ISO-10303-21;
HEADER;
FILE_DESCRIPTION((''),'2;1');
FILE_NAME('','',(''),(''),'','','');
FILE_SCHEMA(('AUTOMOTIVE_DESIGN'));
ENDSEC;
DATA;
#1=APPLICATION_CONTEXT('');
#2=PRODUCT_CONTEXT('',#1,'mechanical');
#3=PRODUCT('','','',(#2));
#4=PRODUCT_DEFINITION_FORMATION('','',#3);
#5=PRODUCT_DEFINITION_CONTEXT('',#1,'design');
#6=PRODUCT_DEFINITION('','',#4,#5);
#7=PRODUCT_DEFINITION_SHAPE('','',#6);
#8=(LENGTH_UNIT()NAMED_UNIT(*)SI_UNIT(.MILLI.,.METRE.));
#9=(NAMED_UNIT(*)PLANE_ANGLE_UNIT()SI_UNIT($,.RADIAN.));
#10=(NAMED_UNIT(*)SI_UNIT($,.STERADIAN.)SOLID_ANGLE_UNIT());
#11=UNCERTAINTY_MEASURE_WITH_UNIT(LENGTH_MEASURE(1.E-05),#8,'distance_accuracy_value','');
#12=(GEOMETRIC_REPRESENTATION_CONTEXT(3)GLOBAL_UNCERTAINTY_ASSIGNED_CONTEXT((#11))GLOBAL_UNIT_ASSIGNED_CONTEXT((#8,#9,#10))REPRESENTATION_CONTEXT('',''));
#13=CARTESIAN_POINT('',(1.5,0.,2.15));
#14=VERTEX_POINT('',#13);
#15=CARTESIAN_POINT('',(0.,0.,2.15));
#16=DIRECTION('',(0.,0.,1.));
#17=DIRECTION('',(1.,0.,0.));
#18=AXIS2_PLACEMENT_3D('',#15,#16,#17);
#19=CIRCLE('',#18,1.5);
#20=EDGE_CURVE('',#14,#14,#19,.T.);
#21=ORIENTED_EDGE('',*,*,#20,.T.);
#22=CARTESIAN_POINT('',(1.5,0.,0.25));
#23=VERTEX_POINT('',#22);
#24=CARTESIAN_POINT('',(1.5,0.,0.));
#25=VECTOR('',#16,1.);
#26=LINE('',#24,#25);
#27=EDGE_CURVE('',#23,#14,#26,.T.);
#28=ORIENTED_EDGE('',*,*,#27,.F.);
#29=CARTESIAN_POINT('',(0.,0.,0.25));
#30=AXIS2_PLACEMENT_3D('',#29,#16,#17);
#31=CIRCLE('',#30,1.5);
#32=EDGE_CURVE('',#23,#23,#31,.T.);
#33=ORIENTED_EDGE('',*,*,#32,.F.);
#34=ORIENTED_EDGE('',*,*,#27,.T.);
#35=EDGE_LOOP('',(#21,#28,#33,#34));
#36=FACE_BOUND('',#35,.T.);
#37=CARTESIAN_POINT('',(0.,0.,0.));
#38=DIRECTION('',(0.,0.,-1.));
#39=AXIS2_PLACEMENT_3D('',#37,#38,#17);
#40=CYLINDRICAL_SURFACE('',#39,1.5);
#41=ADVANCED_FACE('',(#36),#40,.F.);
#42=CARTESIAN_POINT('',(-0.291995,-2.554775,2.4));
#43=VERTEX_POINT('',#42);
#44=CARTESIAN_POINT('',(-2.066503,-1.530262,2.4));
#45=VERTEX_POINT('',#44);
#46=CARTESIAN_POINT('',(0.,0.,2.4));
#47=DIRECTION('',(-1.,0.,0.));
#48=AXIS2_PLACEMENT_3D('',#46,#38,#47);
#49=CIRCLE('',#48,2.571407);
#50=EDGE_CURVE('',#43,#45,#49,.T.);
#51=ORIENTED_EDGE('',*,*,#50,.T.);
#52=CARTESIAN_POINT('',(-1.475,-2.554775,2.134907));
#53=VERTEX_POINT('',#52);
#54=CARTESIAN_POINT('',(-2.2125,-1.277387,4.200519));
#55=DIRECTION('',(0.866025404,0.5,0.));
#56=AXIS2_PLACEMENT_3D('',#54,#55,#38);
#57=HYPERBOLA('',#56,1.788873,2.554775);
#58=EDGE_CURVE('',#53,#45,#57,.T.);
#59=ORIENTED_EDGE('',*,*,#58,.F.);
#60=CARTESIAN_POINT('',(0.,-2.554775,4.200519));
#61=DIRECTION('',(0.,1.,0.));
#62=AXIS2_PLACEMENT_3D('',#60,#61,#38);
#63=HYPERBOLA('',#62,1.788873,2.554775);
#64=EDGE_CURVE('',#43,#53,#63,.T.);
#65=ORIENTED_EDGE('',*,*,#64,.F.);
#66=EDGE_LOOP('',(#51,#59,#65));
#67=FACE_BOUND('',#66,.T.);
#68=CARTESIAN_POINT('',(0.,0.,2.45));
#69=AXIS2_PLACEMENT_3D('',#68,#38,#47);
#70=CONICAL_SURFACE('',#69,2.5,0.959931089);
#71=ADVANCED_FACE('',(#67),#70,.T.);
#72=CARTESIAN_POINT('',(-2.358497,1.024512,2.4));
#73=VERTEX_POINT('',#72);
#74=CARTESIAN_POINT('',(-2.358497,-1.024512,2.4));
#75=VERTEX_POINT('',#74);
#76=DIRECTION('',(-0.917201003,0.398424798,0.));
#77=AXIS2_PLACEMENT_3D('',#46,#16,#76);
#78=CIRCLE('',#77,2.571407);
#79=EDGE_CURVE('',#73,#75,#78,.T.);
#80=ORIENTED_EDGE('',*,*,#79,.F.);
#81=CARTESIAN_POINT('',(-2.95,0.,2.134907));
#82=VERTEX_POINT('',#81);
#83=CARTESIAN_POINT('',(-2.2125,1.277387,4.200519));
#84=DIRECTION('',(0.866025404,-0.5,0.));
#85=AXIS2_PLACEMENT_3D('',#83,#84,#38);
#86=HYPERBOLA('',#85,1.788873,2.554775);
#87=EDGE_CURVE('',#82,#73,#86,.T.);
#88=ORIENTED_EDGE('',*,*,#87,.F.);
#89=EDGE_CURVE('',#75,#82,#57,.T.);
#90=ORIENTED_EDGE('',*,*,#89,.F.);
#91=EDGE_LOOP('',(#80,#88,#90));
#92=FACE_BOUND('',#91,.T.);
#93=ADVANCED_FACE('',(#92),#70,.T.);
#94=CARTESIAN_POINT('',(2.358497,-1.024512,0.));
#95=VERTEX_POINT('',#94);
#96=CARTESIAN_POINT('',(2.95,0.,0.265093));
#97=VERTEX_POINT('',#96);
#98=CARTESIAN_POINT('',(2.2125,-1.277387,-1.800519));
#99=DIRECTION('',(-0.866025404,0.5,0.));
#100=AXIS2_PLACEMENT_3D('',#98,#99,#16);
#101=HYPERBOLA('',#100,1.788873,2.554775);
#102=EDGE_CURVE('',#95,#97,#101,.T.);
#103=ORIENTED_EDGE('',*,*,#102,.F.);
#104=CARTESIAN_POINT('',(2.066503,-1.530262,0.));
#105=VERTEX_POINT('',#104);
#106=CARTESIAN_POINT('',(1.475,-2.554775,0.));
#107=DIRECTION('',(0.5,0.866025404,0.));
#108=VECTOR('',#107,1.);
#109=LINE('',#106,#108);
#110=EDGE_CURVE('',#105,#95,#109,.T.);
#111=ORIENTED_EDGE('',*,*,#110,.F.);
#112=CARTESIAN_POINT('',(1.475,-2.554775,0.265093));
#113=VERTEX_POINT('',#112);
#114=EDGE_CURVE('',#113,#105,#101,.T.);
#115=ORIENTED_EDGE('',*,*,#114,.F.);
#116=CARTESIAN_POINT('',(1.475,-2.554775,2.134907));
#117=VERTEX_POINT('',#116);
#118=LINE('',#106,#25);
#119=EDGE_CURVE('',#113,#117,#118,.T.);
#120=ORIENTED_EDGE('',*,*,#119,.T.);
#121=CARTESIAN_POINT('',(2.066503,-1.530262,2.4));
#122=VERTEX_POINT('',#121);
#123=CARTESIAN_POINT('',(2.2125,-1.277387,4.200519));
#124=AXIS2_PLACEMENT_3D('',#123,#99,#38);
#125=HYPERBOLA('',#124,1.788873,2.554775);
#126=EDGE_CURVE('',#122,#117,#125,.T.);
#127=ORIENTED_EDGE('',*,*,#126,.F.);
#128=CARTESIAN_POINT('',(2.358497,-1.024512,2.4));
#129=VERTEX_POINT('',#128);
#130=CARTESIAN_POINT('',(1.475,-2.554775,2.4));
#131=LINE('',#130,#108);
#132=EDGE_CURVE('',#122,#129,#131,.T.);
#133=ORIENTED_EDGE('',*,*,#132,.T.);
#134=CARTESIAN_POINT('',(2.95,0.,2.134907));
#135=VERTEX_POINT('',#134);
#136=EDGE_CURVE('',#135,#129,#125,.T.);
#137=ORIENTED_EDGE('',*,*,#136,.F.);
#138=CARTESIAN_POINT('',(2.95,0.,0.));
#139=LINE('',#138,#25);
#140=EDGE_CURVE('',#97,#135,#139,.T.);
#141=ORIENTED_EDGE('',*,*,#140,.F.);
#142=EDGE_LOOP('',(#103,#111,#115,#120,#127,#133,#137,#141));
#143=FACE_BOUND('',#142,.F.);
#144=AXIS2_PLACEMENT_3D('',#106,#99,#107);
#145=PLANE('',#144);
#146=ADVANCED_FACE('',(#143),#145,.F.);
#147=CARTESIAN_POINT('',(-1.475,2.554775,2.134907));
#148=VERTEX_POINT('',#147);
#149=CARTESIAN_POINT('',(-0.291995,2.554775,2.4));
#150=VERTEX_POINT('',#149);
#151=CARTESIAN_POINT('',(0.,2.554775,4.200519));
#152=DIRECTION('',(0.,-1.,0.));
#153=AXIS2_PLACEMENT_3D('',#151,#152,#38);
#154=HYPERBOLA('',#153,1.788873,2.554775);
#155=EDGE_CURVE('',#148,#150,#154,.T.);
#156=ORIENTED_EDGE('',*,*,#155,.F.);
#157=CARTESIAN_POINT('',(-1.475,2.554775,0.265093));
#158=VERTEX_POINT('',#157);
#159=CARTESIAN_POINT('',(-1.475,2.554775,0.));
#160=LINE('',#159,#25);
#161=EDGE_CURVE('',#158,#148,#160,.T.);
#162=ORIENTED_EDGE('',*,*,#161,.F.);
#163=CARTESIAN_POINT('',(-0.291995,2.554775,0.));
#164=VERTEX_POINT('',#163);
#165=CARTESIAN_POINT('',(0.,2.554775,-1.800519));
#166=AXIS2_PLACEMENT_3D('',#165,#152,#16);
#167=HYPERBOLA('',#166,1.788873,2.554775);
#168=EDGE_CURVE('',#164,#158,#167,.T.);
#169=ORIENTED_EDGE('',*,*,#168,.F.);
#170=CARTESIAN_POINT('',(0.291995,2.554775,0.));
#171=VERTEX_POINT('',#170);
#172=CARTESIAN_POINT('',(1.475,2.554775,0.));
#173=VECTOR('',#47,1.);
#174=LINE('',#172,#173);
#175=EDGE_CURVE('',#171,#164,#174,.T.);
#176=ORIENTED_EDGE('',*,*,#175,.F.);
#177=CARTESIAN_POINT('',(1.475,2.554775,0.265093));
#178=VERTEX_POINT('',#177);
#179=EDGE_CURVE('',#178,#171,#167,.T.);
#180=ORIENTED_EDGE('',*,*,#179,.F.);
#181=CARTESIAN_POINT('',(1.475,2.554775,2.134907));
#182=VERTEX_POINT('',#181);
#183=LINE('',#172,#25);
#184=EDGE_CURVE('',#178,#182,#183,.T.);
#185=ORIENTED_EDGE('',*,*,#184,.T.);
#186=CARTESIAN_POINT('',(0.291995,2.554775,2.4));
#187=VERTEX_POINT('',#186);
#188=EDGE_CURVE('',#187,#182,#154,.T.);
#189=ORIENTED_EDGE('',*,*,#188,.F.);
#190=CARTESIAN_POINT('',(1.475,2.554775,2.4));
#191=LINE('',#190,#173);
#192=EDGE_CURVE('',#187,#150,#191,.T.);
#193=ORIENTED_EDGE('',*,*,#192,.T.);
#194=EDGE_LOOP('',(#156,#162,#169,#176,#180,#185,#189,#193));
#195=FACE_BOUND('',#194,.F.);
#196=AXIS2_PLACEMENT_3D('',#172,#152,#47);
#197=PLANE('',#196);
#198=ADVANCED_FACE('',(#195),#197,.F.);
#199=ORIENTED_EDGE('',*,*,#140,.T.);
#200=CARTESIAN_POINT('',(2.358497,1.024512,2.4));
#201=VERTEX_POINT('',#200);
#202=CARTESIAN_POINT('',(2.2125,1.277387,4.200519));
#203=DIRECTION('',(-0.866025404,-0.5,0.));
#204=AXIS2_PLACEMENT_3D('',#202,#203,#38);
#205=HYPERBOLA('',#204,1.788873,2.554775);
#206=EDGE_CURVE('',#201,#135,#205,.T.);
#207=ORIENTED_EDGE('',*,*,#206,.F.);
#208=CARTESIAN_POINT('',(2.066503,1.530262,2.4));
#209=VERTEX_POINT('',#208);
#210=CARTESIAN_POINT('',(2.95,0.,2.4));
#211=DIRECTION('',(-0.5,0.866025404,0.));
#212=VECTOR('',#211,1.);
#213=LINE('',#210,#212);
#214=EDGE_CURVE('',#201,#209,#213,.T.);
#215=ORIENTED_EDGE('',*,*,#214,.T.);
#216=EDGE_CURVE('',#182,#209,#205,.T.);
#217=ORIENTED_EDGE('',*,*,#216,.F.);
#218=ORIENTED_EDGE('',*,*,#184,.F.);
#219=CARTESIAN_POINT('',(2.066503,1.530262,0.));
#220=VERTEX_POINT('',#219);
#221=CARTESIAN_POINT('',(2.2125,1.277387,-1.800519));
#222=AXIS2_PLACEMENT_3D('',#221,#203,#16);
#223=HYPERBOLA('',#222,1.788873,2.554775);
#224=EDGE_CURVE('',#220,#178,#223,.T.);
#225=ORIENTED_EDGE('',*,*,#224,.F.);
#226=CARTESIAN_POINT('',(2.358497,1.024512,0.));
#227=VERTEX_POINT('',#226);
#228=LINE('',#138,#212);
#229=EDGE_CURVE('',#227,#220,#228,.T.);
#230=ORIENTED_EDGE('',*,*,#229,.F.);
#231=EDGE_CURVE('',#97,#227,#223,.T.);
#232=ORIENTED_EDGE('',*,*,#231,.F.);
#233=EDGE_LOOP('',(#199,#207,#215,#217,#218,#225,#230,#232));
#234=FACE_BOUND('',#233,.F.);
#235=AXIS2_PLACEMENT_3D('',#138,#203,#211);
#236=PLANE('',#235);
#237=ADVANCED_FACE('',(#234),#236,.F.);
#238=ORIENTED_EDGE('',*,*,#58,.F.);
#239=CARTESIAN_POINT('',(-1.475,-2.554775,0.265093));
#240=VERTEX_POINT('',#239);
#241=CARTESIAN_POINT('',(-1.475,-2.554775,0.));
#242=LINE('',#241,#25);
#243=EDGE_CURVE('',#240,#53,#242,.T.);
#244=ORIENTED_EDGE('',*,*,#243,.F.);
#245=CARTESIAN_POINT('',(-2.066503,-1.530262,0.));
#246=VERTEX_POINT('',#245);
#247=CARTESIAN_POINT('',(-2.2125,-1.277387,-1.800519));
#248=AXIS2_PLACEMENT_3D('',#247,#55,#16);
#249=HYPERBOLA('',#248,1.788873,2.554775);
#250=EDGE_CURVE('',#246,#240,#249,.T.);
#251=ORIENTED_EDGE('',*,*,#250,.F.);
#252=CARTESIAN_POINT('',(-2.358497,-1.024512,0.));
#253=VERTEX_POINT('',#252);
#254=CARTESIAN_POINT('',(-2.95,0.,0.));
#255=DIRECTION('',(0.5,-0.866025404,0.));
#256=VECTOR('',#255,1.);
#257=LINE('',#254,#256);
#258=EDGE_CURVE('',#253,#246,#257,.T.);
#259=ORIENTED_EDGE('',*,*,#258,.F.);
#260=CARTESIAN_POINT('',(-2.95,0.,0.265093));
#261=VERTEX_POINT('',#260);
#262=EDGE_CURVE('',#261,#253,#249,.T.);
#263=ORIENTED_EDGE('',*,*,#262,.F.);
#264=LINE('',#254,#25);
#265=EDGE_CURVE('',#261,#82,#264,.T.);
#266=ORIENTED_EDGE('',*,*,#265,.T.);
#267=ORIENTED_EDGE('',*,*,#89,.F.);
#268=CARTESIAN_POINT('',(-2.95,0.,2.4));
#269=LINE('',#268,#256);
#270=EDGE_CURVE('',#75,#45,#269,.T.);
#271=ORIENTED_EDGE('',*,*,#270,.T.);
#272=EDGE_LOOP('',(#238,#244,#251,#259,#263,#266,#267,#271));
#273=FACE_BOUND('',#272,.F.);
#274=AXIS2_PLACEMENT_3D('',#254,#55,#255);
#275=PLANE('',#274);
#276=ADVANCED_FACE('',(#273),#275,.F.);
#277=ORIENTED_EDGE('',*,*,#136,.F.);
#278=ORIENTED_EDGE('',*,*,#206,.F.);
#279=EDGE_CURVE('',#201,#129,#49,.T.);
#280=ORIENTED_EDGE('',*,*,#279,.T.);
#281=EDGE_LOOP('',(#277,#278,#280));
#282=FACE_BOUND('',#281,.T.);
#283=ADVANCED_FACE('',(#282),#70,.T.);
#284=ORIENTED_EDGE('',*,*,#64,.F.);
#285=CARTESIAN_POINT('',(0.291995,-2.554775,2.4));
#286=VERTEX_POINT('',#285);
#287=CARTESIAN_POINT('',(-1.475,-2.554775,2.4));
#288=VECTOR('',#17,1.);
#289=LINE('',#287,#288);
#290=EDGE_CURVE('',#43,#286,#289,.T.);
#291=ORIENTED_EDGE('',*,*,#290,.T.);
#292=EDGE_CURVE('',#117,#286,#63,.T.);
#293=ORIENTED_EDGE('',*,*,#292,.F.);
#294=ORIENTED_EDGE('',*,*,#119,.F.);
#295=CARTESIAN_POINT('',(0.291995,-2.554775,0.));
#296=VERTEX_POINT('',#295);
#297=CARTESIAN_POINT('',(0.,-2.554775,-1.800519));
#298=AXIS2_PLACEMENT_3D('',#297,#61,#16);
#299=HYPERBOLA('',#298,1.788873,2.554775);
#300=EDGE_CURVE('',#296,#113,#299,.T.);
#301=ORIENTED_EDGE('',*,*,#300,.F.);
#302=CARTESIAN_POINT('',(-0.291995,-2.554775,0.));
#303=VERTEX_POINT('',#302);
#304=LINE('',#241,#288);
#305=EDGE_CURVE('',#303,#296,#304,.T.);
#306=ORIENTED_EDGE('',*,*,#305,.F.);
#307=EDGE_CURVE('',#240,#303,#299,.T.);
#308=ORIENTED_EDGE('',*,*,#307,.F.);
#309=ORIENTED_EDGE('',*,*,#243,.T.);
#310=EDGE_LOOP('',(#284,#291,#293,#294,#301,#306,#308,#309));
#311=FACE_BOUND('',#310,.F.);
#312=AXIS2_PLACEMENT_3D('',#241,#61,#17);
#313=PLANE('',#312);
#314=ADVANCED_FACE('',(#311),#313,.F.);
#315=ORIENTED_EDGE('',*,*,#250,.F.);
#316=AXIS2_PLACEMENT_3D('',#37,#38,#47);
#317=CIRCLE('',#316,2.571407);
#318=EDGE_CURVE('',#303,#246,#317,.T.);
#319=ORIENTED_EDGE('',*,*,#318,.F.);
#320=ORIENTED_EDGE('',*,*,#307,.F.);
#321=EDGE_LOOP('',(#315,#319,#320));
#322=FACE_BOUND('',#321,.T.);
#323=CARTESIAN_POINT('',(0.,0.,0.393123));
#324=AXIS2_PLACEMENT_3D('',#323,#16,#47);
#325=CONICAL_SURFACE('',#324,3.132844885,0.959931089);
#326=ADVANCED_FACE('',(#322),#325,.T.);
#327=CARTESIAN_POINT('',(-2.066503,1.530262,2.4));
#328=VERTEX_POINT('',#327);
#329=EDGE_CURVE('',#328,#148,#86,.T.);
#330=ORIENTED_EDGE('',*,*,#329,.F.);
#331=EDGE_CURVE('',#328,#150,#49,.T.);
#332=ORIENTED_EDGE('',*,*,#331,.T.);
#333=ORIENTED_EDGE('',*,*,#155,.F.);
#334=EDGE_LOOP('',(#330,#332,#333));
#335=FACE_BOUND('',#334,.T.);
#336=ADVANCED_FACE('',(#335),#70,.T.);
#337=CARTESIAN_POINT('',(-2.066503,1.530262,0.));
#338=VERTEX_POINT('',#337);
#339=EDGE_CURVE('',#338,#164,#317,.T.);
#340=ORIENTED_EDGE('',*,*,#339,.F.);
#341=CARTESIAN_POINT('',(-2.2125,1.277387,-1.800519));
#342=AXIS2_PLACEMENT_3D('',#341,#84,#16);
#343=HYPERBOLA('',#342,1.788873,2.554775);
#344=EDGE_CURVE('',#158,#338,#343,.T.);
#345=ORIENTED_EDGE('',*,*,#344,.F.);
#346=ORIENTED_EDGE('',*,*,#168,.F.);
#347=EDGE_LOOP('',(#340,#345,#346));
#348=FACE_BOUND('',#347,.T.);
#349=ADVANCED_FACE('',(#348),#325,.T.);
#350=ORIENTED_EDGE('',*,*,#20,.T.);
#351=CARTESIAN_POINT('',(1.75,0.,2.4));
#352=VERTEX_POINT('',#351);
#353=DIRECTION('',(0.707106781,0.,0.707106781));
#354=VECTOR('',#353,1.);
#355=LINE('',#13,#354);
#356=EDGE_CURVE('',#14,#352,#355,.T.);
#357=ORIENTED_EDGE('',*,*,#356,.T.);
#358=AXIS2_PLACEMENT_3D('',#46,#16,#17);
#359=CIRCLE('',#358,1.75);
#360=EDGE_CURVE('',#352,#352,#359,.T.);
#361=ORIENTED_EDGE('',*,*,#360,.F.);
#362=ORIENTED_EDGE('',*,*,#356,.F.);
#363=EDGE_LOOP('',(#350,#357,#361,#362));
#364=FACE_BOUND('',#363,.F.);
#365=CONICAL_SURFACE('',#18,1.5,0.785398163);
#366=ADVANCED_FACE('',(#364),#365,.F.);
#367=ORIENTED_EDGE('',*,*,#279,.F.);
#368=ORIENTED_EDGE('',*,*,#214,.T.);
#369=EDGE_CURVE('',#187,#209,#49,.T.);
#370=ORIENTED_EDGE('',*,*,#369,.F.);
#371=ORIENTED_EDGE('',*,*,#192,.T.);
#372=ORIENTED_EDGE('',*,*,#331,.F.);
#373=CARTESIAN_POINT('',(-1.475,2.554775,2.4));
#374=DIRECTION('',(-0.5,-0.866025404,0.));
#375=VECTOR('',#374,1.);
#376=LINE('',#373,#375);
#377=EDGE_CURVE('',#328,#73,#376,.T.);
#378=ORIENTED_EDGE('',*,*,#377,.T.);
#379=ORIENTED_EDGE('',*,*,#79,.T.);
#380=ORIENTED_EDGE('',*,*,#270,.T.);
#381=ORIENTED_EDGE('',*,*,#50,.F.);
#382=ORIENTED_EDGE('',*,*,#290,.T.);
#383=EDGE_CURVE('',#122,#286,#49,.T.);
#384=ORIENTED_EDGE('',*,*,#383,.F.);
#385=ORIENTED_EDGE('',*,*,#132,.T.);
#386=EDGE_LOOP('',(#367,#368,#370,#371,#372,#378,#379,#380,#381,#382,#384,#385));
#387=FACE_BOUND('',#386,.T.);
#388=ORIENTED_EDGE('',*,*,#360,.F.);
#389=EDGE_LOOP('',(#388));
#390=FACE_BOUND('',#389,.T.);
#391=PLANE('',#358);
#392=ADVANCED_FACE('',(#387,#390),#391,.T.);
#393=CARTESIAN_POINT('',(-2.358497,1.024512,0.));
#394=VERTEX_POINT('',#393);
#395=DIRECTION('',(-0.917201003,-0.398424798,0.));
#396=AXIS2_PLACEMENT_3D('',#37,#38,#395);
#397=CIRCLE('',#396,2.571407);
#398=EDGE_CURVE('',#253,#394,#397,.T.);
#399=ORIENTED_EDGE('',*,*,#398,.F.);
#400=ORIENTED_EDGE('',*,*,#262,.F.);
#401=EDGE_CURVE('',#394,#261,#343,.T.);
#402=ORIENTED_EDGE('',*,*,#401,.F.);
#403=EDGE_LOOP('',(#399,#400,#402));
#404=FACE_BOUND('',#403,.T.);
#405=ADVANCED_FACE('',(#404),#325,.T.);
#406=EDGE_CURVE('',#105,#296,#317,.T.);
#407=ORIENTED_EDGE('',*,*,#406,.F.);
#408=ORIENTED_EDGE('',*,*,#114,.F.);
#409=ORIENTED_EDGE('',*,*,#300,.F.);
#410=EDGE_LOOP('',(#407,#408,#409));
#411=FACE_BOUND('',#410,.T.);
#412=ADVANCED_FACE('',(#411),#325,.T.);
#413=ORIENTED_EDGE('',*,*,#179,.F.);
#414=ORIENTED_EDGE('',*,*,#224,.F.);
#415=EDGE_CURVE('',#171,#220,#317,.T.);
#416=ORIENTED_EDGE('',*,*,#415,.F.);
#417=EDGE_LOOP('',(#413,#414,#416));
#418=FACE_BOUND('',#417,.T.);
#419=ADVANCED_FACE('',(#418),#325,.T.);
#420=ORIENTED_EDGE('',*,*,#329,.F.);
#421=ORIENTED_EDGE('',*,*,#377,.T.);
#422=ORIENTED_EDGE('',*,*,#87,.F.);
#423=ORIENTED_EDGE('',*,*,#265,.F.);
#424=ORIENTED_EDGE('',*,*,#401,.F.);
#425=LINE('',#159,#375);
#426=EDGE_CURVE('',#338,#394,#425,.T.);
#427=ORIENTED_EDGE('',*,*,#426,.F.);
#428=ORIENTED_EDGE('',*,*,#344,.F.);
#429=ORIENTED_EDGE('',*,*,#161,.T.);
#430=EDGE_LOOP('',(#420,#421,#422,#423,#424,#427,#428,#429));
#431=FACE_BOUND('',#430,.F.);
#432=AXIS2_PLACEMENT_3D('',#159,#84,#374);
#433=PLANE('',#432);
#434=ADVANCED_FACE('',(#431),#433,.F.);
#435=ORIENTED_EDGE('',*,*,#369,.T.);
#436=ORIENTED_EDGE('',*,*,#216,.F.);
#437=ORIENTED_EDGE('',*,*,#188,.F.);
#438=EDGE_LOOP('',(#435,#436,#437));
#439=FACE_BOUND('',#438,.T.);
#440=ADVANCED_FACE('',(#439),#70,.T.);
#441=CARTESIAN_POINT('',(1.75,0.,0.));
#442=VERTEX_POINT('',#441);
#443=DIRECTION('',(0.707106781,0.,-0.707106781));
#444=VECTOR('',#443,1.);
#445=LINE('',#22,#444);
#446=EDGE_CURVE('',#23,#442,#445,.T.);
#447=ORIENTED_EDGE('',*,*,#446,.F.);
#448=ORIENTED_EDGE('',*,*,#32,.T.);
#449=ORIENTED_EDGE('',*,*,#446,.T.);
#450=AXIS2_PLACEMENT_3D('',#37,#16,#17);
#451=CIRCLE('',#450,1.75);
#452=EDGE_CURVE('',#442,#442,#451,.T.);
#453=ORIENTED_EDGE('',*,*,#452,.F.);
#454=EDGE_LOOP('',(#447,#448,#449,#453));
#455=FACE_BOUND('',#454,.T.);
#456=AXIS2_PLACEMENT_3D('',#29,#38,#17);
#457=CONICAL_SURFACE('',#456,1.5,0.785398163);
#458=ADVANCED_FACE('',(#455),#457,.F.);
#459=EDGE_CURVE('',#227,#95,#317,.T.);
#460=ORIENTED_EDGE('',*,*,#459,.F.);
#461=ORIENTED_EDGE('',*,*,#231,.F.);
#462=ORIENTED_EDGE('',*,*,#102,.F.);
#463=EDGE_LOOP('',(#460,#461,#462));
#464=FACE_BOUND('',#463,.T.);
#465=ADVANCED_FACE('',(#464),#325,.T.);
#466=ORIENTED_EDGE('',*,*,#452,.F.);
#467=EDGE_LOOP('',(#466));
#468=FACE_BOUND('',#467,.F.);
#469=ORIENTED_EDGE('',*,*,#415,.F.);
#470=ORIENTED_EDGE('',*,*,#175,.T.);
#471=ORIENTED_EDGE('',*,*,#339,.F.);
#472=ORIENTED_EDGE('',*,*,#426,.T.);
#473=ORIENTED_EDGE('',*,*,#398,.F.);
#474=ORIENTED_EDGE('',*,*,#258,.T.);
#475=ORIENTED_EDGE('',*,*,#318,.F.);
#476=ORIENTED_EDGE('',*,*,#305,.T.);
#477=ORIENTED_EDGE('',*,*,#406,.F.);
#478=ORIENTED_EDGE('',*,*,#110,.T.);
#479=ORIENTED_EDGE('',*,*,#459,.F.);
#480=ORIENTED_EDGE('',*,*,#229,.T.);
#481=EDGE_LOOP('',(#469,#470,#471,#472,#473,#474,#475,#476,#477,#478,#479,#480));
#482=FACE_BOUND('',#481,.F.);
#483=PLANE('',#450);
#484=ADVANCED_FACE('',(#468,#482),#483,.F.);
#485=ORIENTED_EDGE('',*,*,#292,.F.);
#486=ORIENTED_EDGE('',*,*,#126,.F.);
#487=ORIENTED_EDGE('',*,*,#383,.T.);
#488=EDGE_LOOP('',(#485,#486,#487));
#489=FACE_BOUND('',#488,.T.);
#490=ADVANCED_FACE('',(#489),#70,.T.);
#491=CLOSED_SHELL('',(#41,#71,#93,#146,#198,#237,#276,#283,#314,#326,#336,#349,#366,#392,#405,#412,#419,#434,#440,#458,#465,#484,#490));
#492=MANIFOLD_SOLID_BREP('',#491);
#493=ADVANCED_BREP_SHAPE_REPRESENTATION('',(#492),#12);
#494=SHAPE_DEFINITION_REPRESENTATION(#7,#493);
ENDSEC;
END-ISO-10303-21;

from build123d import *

# Parameters (mm, degrees)
SKETCH1_R           = 1.5
BOSS_EXTRUDE1_DEPTH = 2.4
CHAMFER1_SIZE       = 0.25


with BuildPart() as part:
    # Sketch1 → Boss-Extrude1 (new body)
    with BuildSketch(Plane.XY):
        Polygon((2.95, 0), (1.475, 2.554774941), (-1.475, 2.554774941), (-2.95, 0), (-1.475, -2.554774941), (1.475, -2.554774941), align=None)
        Circle(SKETCH1_R, mode=Mode.SUBTRACT)
    extrude(amount=BOSS_EXTRUDE1_DEPTH)

    # Chamfer1
    chamfer1_edges = [part.edges().sort_by_distance(p)[0] for p in [
        (-1.5, 0, 0),
        (-1.5, 0, 2.4),
    ]]
    chamfer(chamfer1_edges, length=CHAMFER1_SIZE)

    # Sketch2 → Cut-Revolve1 (revolve, cut)
    with BuildSketch(Plane(origin=(0, 0, 0), x_dir=(1, 0, 0), z_dir=(0, 1, 0))):
        Polygon((-1, -2.45), (-2.5, -2.45), (-3.132844885, -2.006877241), (-3.132844885, -0.393122759), (-2.5, 0.05), (-1, 0.05), (-1, 1.98132807), (-7.750900281, 1.98132807), (-7.750900281, -6.982873217), (-1, -6.982873217), align=None)
    revolve(axis=Axis((0, 0, 2.45), (0, 0, -1)), mode=Mode.SUBTRACT)


solid = part.part
